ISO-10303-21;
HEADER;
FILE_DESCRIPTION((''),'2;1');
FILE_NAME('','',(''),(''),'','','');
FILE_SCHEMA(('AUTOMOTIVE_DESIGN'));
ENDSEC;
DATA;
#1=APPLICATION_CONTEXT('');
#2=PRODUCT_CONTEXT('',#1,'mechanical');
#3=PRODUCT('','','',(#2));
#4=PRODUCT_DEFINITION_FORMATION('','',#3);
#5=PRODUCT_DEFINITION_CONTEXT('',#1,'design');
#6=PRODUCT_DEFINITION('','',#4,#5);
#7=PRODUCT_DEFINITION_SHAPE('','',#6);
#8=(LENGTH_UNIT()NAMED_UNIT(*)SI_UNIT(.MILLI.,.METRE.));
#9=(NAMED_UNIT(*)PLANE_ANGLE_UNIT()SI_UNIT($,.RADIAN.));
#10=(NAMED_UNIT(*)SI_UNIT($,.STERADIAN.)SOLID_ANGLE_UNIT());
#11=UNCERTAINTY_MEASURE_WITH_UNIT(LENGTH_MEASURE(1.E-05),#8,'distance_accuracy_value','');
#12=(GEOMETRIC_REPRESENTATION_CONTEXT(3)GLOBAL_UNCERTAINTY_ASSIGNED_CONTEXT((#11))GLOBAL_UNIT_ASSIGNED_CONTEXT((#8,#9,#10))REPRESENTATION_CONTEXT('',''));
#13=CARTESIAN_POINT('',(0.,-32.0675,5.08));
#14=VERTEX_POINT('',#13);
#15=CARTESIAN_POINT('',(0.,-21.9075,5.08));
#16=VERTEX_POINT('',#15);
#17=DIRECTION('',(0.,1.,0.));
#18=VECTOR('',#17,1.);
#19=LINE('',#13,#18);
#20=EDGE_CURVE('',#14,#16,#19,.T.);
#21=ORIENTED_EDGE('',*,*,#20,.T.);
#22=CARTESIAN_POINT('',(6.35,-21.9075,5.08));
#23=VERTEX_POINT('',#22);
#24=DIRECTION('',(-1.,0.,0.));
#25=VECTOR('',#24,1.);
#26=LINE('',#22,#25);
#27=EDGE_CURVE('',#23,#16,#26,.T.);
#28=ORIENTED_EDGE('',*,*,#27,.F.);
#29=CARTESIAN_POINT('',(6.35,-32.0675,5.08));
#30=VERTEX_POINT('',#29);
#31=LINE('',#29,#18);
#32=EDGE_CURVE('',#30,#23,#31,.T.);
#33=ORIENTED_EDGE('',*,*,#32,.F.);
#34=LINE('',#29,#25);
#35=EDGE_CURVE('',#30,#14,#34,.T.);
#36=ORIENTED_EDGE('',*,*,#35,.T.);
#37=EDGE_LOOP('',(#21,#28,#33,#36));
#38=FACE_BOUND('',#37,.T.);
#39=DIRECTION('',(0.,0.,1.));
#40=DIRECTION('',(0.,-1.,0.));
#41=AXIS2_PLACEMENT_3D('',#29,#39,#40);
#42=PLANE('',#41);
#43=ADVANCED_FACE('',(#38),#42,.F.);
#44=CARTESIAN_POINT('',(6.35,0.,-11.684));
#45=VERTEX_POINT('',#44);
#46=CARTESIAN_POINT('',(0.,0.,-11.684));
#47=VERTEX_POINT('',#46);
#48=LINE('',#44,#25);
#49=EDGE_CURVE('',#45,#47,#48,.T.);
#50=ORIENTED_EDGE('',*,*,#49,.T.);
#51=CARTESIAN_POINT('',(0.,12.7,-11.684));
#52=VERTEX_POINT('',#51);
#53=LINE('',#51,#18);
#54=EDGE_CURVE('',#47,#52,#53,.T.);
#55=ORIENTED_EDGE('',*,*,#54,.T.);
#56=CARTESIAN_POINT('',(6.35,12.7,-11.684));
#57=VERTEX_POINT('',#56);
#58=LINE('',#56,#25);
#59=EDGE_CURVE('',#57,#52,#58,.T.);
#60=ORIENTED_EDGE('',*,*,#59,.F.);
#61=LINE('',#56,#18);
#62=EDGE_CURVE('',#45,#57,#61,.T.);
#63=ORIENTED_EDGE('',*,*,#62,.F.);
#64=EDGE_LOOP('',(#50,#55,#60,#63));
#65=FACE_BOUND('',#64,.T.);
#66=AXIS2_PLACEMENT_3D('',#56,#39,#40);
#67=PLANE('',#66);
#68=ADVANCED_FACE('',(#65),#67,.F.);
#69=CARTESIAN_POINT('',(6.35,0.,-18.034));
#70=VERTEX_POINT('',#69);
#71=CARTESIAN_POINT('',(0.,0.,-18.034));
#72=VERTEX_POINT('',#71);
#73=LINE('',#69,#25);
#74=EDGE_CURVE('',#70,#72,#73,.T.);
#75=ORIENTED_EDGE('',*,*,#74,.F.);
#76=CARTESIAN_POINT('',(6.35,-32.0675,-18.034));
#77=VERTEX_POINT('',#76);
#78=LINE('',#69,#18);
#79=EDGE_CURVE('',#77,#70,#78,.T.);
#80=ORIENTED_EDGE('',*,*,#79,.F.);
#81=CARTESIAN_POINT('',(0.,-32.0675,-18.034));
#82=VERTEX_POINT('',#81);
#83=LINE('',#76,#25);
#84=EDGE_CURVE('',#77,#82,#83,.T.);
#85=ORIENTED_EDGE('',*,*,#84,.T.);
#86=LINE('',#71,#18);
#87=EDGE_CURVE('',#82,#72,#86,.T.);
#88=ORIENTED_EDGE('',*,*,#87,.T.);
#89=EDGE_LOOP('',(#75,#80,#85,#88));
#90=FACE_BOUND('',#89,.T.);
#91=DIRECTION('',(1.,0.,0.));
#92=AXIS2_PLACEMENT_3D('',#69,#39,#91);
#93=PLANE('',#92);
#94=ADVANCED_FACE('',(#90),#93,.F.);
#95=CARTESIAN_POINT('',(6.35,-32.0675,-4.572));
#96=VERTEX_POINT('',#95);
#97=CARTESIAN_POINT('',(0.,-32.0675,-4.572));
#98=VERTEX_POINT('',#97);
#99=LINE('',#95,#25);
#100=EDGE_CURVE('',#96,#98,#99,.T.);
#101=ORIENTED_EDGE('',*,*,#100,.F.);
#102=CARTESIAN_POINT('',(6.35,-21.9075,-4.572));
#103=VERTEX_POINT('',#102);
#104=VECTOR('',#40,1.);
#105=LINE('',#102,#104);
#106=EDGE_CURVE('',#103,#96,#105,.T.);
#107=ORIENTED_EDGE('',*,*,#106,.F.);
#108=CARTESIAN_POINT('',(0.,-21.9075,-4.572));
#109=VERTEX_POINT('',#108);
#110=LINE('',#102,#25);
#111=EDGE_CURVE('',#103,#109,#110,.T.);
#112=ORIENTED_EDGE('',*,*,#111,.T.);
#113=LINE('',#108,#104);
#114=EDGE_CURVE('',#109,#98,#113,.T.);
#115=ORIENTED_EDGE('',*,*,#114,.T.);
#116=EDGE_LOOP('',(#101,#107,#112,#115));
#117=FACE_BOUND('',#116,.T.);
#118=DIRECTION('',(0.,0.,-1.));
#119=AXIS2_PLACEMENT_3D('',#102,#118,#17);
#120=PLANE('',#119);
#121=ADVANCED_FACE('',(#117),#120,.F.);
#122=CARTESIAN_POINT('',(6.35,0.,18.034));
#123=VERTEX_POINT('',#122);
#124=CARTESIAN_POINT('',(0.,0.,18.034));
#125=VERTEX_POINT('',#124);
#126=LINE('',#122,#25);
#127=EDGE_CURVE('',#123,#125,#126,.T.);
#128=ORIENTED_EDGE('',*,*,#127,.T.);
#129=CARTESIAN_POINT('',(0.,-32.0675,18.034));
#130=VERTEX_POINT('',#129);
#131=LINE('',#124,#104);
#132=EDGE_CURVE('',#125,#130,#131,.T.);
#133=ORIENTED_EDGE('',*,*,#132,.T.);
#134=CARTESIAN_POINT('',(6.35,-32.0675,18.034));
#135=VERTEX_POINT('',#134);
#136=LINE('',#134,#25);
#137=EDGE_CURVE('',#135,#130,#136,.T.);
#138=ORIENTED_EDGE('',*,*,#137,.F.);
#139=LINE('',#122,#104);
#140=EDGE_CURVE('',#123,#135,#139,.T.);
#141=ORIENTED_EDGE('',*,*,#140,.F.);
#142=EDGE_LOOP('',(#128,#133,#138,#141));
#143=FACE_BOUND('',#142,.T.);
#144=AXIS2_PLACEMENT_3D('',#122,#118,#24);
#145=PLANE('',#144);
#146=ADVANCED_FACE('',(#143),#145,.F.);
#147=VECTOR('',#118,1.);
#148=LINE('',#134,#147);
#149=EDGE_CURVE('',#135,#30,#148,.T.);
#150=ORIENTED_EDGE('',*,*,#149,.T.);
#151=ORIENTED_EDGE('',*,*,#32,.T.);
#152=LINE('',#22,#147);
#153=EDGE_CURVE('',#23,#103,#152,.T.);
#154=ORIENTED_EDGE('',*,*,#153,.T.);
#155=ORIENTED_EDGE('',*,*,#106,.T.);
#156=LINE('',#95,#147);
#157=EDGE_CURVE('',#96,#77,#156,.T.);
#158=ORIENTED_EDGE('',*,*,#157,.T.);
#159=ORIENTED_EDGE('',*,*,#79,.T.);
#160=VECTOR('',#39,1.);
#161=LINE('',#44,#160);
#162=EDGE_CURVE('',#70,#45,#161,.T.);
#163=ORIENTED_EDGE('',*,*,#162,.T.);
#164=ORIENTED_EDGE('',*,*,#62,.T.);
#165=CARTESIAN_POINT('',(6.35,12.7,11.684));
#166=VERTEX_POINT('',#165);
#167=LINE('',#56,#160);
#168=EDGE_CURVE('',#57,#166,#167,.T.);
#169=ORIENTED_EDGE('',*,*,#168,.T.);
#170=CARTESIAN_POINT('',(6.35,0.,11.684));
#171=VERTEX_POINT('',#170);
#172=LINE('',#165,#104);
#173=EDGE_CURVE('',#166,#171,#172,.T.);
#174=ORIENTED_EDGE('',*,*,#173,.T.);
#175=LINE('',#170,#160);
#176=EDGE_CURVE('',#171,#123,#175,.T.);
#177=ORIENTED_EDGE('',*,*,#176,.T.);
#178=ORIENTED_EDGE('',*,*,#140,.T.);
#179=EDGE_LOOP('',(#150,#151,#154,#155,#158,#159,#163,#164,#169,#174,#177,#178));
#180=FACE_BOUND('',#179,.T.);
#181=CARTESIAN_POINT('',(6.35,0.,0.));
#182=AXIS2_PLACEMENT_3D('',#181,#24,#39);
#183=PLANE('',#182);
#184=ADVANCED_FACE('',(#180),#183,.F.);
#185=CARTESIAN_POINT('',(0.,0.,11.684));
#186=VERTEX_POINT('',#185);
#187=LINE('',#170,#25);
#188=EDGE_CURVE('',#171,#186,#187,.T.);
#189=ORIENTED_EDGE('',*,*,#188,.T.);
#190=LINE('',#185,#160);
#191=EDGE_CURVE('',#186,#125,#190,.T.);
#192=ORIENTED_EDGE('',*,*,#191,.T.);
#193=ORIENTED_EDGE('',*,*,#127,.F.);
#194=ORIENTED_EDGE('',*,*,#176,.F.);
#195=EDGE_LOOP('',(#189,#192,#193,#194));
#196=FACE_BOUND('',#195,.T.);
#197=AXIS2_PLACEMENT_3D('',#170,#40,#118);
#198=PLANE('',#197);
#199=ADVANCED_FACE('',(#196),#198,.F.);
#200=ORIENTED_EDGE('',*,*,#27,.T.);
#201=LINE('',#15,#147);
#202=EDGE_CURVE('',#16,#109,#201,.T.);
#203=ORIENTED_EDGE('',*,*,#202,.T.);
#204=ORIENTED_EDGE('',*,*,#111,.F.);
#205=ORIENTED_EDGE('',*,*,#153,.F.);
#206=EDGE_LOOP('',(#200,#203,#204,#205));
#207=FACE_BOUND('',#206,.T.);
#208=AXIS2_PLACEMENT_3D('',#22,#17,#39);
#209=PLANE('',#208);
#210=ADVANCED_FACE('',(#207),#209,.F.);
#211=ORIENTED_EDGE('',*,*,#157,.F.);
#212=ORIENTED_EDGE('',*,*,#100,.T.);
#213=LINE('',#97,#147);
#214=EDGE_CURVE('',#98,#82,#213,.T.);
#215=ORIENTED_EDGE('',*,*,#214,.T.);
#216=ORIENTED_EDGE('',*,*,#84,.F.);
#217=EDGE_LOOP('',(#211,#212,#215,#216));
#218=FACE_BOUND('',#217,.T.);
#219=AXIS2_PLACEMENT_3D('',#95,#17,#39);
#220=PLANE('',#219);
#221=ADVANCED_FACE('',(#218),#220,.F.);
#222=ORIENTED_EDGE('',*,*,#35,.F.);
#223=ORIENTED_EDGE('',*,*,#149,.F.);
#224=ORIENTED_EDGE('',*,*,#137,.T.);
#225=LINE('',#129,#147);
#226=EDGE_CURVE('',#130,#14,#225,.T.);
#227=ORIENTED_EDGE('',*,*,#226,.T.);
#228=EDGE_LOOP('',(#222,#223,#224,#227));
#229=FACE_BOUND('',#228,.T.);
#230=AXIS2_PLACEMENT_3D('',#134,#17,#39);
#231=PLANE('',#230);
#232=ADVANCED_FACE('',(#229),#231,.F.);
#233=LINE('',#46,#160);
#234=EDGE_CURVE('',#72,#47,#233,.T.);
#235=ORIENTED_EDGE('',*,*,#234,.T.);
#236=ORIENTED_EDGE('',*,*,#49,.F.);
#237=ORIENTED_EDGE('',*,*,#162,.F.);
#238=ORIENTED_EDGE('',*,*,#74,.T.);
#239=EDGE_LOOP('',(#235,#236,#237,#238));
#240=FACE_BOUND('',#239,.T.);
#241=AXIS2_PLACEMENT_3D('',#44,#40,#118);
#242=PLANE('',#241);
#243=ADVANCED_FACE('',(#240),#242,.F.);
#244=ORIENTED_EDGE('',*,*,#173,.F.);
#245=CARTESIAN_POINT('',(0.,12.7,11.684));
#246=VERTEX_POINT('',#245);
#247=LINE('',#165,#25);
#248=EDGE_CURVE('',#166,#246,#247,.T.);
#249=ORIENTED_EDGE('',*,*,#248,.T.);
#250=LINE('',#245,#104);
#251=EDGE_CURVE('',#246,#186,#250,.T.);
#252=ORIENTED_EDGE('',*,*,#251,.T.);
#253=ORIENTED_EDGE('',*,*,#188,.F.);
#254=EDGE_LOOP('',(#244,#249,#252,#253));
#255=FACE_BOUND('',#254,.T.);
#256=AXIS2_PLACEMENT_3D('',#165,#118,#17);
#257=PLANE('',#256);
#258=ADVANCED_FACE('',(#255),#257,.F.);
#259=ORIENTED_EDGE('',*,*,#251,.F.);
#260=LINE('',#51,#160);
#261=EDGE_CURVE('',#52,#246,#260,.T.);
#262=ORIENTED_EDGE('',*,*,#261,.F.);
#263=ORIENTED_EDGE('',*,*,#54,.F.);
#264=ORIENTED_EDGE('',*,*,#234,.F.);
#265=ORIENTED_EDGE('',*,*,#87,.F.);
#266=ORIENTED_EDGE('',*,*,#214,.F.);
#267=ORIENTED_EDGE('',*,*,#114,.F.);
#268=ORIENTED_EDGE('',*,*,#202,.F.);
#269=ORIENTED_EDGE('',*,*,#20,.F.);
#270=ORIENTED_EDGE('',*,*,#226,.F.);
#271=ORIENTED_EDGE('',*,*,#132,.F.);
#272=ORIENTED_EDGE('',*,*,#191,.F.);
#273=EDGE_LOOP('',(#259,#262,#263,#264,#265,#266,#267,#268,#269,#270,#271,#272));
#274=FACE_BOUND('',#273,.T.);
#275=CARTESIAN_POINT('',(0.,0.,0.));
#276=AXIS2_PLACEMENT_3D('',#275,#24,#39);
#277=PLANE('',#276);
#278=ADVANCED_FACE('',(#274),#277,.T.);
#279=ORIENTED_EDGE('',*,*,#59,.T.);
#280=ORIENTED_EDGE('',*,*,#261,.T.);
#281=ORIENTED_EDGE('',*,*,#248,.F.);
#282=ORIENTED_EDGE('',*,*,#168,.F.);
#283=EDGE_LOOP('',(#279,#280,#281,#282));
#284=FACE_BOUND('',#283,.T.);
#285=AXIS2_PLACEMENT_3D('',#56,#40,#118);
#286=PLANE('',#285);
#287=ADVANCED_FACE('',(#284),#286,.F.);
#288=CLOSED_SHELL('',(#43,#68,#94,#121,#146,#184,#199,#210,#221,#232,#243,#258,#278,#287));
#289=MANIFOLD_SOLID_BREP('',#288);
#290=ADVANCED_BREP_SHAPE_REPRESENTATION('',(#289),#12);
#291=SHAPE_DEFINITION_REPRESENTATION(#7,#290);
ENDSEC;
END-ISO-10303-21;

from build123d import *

# Parameters (mm, degrees)
BOSS_EXTRUDE1_DEPTH = 6.35


with BuildPart() as part:
    # Sketch1 → Boss-Extrude1 (new body)
    with BuildSketch(Plane(origin=(0, 0, 0), x_dir=(0, 0, -1), z_dir=(1, 0, 0))):
        Polygon((11.684, 12.7), (-11.684, 12.7), (-11.684, 0), (-18.034, 0), (-18.034, -32.0675), (-5.08, -32.0675), (-5.08, -21.9075), (4.572, -21.9075), (4.572, -32.0675), (18.034, -32.0675), (18.034, 0), (11.684, 0), align=None)
    extrude(amount=BOSS_EXTRUDE1_DEPTH)


solid = part.part
